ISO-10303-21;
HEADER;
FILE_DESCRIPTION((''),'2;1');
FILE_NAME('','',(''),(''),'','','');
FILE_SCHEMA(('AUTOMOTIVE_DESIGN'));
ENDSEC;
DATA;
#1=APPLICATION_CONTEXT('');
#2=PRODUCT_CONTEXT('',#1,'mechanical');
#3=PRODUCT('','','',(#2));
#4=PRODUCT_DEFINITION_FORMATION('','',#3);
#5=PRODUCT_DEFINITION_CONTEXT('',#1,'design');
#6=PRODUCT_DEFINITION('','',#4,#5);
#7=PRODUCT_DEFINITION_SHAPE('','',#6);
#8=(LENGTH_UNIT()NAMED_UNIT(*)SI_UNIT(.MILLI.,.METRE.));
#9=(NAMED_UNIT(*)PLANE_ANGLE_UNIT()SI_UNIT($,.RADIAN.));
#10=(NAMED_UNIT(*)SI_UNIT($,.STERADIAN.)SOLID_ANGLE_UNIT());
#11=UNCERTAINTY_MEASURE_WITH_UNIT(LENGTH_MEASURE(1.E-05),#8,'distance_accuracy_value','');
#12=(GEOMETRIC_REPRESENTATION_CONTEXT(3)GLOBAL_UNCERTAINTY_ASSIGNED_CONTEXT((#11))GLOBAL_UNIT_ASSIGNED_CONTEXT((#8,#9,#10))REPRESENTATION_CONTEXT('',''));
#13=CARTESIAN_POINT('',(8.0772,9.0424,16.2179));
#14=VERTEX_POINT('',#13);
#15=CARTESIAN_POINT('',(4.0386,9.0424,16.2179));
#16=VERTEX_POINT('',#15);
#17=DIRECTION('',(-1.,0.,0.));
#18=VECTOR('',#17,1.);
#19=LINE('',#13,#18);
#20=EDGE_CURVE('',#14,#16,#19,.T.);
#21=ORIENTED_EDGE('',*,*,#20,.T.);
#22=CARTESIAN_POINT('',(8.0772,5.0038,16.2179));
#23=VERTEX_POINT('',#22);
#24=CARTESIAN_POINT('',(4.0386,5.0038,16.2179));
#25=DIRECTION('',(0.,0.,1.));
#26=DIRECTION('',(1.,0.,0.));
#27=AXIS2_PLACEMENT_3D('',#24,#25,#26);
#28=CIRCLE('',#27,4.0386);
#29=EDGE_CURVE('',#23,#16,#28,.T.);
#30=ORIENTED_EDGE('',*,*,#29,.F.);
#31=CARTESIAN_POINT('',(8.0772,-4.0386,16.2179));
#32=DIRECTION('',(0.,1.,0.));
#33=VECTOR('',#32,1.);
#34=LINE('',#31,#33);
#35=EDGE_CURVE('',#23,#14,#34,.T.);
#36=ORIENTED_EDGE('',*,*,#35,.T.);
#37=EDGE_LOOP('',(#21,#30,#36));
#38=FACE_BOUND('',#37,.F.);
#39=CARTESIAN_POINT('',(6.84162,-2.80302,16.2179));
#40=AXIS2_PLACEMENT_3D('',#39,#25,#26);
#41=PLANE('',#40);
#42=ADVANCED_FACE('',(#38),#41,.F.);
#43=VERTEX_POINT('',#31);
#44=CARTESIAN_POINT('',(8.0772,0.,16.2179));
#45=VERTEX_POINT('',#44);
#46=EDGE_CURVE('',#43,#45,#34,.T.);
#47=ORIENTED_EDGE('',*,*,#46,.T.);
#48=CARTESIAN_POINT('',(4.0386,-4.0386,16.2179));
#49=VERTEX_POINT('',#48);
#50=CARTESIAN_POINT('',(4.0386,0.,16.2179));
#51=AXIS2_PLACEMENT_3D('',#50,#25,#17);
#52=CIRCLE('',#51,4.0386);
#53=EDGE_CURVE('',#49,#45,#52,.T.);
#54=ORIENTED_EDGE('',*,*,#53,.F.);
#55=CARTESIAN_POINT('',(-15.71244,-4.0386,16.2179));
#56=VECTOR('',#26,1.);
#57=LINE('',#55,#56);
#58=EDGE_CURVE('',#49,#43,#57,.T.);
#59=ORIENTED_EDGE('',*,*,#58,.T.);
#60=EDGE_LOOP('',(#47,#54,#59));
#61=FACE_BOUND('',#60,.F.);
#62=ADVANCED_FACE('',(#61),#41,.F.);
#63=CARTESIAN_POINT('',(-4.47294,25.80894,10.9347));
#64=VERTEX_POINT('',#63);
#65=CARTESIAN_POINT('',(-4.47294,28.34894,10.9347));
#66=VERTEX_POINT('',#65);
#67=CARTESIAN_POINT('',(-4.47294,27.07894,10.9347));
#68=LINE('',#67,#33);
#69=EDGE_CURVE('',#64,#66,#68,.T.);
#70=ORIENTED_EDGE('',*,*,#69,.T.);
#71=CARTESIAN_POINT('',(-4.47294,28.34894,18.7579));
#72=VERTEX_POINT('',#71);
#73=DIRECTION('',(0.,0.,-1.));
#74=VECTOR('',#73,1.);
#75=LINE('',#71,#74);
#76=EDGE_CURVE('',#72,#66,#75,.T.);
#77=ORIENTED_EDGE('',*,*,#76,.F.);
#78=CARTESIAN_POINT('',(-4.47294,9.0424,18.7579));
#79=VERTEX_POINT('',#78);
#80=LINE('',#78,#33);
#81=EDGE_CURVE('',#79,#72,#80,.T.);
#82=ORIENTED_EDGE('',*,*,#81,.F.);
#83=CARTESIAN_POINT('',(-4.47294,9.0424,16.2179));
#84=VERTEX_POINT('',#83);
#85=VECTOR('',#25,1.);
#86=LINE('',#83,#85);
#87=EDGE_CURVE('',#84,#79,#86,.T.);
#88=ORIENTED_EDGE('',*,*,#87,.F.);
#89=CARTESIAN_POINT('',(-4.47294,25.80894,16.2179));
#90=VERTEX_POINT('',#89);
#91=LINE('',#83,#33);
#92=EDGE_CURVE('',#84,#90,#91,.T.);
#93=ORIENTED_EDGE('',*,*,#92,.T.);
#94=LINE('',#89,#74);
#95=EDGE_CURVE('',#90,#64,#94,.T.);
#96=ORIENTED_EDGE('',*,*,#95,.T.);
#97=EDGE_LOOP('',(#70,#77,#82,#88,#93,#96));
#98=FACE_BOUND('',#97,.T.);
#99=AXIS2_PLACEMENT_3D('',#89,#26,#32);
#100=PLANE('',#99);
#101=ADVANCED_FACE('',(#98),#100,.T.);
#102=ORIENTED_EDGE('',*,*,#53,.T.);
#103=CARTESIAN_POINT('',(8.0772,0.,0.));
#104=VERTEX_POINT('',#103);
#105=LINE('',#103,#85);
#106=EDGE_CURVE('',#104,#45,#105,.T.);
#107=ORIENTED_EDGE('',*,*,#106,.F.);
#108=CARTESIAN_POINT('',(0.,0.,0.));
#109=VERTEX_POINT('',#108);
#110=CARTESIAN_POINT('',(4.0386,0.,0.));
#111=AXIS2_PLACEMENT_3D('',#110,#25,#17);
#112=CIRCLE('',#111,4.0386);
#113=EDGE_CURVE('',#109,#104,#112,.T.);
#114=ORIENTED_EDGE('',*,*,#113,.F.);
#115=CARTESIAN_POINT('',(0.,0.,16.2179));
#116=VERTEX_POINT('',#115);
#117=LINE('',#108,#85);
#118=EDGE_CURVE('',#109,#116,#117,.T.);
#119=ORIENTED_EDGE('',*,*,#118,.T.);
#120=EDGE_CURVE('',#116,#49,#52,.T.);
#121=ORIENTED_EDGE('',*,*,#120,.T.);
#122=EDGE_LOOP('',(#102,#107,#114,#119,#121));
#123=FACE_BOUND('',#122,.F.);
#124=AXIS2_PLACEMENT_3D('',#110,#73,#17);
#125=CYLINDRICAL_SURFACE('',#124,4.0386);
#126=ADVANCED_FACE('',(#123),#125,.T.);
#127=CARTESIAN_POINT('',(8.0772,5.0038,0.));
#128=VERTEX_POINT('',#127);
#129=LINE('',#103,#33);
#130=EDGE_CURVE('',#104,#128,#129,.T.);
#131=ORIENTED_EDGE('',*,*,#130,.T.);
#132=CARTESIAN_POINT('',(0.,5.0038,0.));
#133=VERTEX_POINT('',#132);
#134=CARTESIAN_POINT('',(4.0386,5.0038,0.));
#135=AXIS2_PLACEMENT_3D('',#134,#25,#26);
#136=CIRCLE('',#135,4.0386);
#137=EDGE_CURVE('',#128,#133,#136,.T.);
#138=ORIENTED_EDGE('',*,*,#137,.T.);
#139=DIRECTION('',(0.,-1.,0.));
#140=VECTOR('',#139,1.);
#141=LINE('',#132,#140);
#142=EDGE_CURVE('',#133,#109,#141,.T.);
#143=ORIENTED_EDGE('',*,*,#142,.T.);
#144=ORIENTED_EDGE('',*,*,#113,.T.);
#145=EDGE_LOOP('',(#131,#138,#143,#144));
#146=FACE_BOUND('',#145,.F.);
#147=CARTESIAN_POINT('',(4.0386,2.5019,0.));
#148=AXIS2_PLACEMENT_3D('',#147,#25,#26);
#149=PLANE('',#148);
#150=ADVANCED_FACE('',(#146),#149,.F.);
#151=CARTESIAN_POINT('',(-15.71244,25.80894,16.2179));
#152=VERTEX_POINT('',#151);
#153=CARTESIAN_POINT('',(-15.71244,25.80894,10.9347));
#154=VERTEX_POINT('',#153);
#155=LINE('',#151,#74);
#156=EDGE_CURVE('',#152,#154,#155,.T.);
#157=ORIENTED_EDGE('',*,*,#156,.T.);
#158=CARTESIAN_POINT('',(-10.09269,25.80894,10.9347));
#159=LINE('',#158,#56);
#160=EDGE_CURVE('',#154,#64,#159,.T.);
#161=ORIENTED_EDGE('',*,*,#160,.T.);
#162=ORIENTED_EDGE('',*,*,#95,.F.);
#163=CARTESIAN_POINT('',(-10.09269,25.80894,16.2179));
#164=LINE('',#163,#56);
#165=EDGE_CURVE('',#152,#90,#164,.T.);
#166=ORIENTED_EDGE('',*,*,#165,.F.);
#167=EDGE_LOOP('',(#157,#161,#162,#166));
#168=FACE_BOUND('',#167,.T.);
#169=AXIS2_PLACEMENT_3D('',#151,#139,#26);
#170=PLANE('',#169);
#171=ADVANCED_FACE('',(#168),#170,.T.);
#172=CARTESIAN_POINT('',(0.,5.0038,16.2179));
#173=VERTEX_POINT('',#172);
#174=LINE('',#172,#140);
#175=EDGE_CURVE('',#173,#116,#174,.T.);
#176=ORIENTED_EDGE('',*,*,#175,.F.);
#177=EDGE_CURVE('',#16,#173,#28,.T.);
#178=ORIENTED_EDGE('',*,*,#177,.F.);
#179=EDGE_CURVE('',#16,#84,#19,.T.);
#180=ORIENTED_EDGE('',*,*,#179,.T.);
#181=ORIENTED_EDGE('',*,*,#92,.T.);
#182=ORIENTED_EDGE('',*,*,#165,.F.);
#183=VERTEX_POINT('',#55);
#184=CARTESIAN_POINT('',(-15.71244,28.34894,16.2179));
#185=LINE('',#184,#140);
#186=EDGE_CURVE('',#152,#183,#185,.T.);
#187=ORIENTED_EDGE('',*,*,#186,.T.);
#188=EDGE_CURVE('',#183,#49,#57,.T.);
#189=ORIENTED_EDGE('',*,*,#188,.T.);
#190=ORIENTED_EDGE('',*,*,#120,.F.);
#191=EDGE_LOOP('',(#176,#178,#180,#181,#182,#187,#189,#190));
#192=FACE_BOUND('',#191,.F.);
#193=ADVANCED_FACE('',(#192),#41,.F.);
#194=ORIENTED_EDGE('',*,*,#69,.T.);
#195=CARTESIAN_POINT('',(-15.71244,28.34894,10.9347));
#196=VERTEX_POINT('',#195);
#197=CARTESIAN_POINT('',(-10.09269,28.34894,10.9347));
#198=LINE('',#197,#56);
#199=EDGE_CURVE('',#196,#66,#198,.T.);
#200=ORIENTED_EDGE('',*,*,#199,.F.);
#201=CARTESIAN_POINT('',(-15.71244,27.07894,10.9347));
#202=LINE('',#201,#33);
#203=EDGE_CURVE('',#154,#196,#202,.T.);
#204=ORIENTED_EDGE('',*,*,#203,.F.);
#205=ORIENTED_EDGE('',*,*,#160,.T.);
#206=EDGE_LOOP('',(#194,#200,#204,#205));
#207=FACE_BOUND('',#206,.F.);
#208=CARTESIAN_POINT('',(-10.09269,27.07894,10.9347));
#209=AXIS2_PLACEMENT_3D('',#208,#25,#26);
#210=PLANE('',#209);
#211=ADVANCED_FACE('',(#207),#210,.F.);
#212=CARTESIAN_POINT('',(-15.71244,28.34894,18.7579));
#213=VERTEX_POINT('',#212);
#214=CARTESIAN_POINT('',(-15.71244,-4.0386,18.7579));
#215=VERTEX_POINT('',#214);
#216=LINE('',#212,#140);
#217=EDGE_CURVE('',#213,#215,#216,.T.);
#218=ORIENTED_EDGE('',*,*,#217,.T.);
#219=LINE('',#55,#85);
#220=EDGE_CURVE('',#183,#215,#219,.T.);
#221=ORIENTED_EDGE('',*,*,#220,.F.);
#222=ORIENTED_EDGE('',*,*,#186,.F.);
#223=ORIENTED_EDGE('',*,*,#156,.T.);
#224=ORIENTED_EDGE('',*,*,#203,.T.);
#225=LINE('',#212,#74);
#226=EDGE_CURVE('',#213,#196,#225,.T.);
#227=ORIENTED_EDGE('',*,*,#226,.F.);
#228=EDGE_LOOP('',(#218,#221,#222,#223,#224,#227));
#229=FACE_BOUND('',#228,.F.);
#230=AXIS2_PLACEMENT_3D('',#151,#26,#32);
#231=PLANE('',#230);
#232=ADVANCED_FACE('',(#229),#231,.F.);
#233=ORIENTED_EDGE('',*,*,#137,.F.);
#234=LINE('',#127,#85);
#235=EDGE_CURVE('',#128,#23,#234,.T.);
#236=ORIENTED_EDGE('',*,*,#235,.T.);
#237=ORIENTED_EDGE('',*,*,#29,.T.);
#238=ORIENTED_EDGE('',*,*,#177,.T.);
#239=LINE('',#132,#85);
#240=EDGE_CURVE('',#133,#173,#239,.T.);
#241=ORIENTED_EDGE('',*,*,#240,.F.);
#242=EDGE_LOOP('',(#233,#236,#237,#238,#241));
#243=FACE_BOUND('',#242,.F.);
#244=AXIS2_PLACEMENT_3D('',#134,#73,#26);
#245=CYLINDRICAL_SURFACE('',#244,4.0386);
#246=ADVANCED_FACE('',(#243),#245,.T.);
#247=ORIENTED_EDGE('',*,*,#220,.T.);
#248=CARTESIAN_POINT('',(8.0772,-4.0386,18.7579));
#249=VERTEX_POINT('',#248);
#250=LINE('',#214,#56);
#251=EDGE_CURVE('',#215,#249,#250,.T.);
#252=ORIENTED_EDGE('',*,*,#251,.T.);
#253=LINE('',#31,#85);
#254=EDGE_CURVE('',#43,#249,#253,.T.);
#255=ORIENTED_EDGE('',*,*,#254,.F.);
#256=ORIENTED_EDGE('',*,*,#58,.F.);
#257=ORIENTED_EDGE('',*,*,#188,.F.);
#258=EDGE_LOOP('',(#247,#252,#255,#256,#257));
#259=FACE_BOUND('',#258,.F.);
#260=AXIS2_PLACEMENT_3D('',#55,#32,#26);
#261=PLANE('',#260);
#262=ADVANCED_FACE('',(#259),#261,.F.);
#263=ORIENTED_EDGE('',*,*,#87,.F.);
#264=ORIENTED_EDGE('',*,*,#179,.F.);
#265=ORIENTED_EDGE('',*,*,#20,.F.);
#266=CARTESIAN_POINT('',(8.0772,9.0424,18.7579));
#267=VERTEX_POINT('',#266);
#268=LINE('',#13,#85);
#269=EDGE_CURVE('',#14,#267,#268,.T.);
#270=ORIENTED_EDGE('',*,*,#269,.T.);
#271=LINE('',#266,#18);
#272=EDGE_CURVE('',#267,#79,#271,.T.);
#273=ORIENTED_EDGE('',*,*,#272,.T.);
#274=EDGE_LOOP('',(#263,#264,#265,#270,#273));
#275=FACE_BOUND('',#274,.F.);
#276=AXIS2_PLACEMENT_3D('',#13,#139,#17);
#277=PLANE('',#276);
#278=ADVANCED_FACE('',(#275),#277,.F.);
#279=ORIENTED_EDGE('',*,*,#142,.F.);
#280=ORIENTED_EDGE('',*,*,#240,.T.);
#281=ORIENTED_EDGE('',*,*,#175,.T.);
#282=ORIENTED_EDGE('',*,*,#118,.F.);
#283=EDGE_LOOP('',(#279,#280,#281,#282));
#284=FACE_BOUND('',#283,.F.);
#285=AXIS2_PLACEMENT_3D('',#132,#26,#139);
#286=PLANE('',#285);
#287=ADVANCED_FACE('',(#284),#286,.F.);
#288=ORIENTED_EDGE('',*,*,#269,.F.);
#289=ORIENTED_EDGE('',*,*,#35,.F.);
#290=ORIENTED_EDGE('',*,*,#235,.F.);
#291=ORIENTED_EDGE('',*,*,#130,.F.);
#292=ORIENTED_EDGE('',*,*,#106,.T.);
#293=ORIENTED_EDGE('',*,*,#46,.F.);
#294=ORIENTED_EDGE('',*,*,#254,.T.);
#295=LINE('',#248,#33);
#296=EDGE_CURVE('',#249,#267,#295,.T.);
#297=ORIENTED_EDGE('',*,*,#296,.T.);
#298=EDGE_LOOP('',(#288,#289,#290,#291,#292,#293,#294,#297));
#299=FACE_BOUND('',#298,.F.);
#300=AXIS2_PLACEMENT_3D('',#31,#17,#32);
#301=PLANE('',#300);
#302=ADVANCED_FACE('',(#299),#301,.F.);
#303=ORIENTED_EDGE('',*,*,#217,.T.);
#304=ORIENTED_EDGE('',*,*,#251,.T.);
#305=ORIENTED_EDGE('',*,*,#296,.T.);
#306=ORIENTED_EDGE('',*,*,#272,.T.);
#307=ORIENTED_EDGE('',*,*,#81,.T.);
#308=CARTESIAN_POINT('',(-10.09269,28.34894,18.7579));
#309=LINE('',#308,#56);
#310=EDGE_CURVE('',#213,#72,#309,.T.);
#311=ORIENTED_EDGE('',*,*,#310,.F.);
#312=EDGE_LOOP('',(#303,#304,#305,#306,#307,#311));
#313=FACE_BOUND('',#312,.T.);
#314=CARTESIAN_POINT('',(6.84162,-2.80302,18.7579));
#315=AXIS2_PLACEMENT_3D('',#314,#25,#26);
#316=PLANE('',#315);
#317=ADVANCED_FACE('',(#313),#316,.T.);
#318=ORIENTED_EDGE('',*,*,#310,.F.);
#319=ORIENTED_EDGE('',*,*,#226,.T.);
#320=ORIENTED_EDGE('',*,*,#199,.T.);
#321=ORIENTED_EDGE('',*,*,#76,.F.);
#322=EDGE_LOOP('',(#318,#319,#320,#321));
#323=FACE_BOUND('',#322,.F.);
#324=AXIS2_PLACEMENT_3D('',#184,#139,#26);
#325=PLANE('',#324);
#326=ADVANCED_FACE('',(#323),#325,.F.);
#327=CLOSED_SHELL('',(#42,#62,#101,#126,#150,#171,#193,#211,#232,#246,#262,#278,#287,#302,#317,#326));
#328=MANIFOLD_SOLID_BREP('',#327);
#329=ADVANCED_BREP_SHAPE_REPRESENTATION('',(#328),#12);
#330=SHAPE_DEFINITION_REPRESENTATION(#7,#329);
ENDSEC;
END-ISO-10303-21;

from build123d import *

# Parameters (mm, degrees)
F1_DEPTH = 16.2179
F2_W     = 11.2395
F2_H     = 2.54
F3_DEPTH = 2.54
F4_DEPTH = 5.2832


with BuildPart() as f1:
    # F0 (on Top) → F1 (new body)
    with BuildSketch(Plane.XY):
        with BuildLine():
            Line((0, 5.0038), (0, 0))
            ThreePointArc((0, 0), (4.0386, -4.0386), (8.0772, 0))
            Line((8.0772, 0), (8.0772, 5.0038))
            ThreePointArc((8.0772, 5.0038), (4.0386, 9.0424), (0, 5.0038))
        make_face()
    extrude(amount=F1_DEPTH)

    # F2 (on face) → F3 (join)
    with BuildSketch(Plane.XY.offset(16.2179)):
        with BuildLine():
            Line((4.0386, -4.0386), (8.0772, -4.0386))
            Line((8.0772, -4.0386), (8.0772, 0))
            ThreePointArc((8.0772, 0), (6.8943214465, -2.8557214465), (4.0386, -4.0386))
        make_face()
        with BuildLine():
            ThreePointArc((4.0386, 9.0424), (6.8943214465, 7.8595214465), (8.0772, 5.0038))
            Line((8.0772, 5.0038), (8.0772, 9.0424))
            Line((8.0772, 9.0424), (4.0386, 9.0424))
        make_face()
        with BuildLine():
            ThreePointArc((0, 0), (1.1828785535, -2.8557214465), (4.0386, -4.0386))
            ThreePointArc((4.0386, -4.0386), (6.8943214465, -2.8557214465), (8.0772, 0))
            Line((8.0772, 0), (8.0772, 5.0038))
            ThreePointArc((8.0772, 5.0038), (6.8943214465, 7.8595214465), (4.0386, 9.0424))
            ThreePointArc((4.0386, 9.0424), (1.1828785535, 7.8595214465), (0, 5.0038))
            Line((0, 5.0038), (0, 0))
        make_face()
        with BuildLine():
            Line((-4.47294, -4.0386), (4.0386, -4.0386))
            ThreePointArc((4.0386, -4.0386), (1.1828785535, -2.8557214465), (0, 0))
            Line((0, 0), (0, 5.0038))
            ThreePointArc((0, 5.0038), (1.1828785535, 7.8595214465), (4.0386, 9.0424))
            Line((4.0386, 9.0424), (-4.47294, 9.0424))
            Line((-4.47294, 9.0424), (-4.47294, 25.80894))
            Line((-4.47294, 25.80894), (-15.71244, 25.80894))
            Line((-15.71244, 25.80894), (-15.71244, -4.0386))
            Line((-15.71244, -4.0386), (-4.47294, -4.0386))
        make_face()
        with Locations((-10.09269, 27.07894)):
            Rectangle(F2_W, F2_H)
    extrude(amount=F3_DEPTH)

    # F2 (on face) → F4 (join)
    with BuildSketch(Plane.XY.offset(16.2179)):
        with Locations((-10.09269, 27.07894)):
            Rectangle(F2_W, F2_H)
    extrude(amount=-F4_DEPTH)


solid = f1.part
